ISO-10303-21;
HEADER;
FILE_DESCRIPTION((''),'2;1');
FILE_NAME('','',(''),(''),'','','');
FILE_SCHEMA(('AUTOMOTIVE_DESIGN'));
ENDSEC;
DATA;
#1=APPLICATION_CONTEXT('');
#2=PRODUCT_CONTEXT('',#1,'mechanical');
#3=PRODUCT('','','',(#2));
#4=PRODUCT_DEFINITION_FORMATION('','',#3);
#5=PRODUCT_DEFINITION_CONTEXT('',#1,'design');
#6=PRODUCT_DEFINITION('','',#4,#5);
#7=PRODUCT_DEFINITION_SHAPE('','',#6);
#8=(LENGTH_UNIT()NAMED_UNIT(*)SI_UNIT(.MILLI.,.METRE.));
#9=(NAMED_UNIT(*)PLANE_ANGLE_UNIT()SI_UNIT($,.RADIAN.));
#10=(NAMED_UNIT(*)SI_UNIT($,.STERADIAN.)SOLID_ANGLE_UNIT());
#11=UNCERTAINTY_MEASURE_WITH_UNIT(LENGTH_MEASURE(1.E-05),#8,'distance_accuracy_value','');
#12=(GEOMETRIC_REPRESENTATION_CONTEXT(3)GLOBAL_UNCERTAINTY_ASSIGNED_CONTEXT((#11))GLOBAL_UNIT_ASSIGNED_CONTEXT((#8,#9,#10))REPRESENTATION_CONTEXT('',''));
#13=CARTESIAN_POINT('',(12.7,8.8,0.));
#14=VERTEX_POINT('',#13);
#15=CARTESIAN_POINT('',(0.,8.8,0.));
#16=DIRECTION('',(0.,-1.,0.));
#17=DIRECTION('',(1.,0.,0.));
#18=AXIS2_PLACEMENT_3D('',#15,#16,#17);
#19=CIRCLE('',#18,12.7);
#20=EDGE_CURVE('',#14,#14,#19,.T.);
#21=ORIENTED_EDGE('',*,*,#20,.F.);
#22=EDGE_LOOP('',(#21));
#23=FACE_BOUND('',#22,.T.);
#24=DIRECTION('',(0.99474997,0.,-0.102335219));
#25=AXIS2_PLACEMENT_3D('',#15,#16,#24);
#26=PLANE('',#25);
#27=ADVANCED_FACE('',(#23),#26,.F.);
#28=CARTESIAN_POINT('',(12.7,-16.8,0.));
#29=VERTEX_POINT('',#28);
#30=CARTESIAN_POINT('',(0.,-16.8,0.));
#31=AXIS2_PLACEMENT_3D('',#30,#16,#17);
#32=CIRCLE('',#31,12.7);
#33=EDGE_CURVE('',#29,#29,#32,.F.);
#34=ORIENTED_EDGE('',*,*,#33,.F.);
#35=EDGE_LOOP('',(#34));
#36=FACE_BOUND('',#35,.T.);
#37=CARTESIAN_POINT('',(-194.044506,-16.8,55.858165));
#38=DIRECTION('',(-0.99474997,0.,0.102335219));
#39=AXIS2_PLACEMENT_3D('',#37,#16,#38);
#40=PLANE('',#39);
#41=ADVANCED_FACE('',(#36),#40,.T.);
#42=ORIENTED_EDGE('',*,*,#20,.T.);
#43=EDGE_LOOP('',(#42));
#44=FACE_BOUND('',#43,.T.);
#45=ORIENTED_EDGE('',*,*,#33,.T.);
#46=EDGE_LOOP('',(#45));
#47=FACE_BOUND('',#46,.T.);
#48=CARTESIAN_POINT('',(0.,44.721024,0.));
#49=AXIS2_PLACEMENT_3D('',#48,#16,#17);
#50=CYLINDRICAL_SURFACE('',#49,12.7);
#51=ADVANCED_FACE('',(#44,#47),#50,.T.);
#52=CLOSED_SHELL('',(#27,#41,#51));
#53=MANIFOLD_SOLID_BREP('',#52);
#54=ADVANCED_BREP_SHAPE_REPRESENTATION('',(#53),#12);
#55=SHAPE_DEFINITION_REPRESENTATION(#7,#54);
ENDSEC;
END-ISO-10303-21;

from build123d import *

# Parameters (mm, degrees)
SKETCH1_R                = 12.7
BOSS_EXTRUDE1_DEPTH      = 8.8
BOSS_EXTRUDE1_DEPTH_BACK = 16.8


with BuildPart() as part:
    # Sketch1 → Boss-Extrude1 (new body, two sides)
    with BuildSketch(Plane(origin=(0, 0, 0), x_dir=(1, 0, 0), z_dir=(0, 1, 0))) as boss_extrude1_sk:
        Circle(SKETCH1_R)
    extrude(amount=BOSS_EXTRUDE1_DEPTH)
    extrude(boss_extrude1_sk.sketch, amount=-BOSS_EXTRUDE1_DEPTH_BACK)


solid = part.part
